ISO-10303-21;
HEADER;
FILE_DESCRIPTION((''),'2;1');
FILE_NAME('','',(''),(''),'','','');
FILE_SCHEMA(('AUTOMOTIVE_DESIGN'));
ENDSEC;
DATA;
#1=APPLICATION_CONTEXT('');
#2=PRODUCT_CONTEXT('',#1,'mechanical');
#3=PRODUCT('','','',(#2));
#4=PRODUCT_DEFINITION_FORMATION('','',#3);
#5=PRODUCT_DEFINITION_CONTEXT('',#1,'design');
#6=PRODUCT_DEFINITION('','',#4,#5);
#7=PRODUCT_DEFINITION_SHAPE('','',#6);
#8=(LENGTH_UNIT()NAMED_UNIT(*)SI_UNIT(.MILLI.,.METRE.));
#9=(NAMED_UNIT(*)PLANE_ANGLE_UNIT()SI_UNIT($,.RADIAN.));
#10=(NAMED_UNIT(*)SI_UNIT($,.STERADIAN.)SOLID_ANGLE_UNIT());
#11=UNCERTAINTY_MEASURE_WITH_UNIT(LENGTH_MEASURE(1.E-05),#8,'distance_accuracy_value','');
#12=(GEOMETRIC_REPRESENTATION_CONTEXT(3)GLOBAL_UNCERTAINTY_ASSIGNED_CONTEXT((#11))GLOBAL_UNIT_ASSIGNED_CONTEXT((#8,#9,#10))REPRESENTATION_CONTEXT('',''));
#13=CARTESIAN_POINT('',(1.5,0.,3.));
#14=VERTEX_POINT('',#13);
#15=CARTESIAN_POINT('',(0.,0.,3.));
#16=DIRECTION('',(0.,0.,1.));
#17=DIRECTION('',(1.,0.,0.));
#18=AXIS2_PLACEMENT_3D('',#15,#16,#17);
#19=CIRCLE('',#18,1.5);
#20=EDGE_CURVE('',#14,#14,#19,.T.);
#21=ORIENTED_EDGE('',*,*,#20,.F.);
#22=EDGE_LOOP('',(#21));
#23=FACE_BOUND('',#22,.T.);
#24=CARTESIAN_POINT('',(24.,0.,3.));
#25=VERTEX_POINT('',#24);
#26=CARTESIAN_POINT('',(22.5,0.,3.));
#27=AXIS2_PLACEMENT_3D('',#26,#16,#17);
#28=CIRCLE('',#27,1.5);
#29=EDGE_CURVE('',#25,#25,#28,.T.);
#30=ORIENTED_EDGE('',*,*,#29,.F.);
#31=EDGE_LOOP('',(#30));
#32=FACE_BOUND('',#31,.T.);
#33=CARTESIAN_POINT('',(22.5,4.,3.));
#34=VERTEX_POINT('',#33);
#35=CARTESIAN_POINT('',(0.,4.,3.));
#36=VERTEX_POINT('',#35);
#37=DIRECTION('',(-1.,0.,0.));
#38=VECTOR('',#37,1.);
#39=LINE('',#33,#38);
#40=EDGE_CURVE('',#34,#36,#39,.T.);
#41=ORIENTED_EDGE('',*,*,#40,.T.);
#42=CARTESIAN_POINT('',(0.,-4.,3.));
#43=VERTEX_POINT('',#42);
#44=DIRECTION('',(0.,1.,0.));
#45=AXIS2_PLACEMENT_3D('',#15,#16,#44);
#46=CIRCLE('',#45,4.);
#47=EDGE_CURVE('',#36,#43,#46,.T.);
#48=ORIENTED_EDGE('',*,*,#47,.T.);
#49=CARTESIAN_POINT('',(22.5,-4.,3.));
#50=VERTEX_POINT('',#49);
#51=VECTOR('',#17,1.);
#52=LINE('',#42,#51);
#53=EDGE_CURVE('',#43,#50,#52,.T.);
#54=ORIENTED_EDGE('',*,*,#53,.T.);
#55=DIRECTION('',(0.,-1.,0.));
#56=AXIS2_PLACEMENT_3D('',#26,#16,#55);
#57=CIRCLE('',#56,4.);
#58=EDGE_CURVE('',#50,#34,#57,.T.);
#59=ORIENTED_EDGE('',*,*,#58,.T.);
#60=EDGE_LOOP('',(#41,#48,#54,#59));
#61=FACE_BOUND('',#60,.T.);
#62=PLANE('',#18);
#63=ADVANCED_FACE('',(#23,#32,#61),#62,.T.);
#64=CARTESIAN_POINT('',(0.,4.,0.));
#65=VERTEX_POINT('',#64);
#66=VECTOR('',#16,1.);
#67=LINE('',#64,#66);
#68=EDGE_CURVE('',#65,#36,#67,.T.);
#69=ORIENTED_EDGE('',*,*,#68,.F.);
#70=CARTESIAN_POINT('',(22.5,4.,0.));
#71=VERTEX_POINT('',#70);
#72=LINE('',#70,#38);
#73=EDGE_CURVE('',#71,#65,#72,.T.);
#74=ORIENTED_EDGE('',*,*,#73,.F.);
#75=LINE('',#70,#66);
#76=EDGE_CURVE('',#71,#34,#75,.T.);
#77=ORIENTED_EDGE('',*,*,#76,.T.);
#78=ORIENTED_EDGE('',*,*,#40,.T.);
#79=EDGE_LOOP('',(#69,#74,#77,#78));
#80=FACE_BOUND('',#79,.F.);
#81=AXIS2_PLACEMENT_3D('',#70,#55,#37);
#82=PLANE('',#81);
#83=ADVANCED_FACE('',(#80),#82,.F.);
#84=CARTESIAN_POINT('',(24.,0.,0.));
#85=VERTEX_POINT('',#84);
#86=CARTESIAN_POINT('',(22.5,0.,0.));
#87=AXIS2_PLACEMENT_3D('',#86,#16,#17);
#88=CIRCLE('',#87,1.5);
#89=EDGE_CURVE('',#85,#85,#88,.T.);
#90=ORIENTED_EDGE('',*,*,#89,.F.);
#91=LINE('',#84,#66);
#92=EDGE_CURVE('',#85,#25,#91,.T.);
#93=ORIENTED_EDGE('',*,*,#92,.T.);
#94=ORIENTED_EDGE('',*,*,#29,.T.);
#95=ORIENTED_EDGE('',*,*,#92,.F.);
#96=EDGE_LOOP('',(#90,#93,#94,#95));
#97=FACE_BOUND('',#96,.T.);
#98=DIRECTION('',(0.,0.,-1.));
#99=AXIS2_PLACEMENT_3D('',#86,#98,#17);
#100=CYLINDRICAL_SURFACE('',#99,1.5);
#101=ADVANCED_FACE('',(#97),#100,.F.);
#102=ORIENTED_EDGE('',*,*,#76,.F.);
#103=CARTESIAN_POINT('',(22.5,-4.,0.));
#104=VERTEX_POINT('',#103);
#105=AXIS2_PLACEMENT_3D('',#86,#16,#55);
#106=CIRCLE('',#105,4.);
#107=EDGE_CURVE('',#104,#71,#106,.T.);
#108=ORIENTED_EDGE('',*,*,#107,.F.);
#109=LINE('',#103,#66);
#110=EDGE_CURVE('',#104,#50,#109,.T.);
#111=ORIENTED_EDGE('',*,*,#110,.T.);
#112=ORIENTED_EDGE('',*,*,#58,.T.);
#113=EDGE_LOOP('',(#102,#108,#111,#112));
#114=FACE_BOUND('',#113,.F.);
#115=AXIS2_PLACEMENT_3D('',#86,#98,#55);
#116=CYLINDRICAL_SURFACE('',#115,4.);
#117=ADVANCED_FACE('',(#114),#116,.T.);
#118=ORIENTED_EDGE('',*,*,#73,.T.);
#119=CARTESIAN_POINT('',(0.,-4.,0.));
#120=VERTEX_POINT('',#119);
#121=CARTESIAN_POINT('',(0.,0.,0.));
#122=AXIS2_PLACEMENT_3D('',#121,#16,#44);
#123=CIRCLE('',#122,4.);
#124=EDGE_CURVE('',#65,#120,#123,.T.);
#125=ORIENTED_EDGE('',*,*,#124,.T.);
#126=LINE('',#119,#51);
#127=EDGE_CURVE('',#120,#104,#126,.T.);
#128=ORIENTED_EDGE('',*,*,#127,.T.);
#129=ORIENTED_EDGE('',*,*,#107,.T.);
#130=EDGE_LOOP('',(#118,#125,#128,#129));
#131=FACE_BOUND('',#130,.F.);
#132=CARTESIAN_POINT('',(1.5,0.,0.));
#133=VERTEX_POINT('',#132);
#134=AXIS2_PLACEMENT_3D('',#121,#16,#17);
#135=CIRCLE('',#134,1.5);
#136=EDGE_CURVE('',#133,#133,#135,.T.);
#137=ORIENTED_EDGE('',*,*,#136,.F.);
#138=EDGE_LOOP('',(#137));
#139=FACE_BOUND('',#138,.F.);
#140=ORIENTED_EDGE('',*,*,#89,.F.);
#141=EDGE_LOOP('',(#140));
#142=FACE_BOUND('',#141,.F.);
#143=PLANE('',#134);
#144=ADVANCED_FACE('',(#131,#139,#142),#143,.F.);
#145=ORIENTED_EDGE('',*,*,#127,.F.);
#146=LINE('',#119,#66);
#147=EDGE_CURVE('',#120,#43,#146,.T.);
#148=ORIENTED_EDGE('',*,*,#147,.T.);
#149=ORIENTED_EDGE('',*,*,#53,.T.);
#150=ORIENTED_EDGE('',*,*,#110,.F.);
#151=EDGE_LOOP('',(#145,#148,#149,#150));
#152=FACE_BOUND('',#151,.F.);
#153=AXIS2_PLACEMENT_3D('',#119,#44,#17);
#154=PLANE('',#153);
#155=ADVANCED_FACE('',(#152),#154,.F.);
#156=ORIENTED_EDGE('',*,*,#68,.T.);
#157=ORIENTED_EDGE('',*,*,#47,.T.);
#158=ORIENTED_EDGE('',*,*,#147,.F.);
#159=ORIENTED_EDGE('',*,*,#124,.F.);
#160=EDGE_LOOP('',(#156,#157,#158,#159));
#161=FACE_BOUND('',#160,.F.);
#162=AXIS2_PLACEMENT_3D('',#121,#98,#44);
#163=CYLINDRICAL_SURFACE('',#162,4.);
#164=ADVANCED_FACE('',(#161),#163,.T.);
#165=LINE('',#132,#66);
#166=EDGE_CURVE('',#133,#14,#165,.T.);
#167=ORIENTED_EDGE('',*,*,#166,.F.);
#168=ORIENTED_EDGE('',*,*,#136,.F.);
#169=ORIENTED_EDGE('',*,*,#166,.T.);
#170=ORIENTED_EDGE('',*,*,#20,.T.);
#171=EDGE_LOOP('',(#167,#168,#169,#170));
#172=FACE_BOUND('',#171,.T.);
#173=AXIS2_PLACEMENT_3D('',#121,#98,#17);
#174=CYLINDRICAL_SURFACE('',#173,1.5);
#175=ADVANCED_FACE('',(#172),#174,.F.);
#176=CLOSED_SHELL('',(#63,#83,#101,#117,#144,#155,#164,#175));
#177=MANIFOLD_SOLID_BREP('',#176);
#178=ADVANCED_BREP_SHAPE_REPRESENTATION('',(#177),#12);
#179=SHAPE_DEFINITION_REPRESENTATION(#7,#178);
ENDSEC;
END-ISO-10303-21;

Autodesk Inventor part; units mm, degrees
ref_plane "YZ Plane" through (0, 0, 0) normal (1, 0, 0) x (0, 1, 0)
ref_plane "XZ Plane" through (0, 0, 0) normal (0, 1, 0) x (-1, 0, 0)
ref_plane "XY Plane" through (0, 0, 0) normal (0, 0, 1) x (1, 0, 0)
sketch "スケッチ1" plane through (0, 0, 0) normal (0, 0, 1) x (1, 0, 0)
  line L0 (0, 0) -> (22.5, 0) construction
  line L1 (0, -4) -> (22.5, -4)
  line L2 (22.5, 4) -> (0, 4)
  arc A0 (0, 4) -> (0, -4) centre (0, 0) ccw
  arc A1 (22.5, -4) -> (22.5, 4) centre (22.5, 0) ccw
  circle A2 centre (0, 0) radius 1.5
  circle A3 centre (22.5, 0) radius 1.5
  point P0 (11.25, 0)
  dimension "d0" = 22.5
  dimension "d1" = 4
  dimension "d2" = 3
  dimension "d3" = 3
extrude "押し出し1" add sketch "スケッチ1" along normal blind 3
properties part number "link_short"
